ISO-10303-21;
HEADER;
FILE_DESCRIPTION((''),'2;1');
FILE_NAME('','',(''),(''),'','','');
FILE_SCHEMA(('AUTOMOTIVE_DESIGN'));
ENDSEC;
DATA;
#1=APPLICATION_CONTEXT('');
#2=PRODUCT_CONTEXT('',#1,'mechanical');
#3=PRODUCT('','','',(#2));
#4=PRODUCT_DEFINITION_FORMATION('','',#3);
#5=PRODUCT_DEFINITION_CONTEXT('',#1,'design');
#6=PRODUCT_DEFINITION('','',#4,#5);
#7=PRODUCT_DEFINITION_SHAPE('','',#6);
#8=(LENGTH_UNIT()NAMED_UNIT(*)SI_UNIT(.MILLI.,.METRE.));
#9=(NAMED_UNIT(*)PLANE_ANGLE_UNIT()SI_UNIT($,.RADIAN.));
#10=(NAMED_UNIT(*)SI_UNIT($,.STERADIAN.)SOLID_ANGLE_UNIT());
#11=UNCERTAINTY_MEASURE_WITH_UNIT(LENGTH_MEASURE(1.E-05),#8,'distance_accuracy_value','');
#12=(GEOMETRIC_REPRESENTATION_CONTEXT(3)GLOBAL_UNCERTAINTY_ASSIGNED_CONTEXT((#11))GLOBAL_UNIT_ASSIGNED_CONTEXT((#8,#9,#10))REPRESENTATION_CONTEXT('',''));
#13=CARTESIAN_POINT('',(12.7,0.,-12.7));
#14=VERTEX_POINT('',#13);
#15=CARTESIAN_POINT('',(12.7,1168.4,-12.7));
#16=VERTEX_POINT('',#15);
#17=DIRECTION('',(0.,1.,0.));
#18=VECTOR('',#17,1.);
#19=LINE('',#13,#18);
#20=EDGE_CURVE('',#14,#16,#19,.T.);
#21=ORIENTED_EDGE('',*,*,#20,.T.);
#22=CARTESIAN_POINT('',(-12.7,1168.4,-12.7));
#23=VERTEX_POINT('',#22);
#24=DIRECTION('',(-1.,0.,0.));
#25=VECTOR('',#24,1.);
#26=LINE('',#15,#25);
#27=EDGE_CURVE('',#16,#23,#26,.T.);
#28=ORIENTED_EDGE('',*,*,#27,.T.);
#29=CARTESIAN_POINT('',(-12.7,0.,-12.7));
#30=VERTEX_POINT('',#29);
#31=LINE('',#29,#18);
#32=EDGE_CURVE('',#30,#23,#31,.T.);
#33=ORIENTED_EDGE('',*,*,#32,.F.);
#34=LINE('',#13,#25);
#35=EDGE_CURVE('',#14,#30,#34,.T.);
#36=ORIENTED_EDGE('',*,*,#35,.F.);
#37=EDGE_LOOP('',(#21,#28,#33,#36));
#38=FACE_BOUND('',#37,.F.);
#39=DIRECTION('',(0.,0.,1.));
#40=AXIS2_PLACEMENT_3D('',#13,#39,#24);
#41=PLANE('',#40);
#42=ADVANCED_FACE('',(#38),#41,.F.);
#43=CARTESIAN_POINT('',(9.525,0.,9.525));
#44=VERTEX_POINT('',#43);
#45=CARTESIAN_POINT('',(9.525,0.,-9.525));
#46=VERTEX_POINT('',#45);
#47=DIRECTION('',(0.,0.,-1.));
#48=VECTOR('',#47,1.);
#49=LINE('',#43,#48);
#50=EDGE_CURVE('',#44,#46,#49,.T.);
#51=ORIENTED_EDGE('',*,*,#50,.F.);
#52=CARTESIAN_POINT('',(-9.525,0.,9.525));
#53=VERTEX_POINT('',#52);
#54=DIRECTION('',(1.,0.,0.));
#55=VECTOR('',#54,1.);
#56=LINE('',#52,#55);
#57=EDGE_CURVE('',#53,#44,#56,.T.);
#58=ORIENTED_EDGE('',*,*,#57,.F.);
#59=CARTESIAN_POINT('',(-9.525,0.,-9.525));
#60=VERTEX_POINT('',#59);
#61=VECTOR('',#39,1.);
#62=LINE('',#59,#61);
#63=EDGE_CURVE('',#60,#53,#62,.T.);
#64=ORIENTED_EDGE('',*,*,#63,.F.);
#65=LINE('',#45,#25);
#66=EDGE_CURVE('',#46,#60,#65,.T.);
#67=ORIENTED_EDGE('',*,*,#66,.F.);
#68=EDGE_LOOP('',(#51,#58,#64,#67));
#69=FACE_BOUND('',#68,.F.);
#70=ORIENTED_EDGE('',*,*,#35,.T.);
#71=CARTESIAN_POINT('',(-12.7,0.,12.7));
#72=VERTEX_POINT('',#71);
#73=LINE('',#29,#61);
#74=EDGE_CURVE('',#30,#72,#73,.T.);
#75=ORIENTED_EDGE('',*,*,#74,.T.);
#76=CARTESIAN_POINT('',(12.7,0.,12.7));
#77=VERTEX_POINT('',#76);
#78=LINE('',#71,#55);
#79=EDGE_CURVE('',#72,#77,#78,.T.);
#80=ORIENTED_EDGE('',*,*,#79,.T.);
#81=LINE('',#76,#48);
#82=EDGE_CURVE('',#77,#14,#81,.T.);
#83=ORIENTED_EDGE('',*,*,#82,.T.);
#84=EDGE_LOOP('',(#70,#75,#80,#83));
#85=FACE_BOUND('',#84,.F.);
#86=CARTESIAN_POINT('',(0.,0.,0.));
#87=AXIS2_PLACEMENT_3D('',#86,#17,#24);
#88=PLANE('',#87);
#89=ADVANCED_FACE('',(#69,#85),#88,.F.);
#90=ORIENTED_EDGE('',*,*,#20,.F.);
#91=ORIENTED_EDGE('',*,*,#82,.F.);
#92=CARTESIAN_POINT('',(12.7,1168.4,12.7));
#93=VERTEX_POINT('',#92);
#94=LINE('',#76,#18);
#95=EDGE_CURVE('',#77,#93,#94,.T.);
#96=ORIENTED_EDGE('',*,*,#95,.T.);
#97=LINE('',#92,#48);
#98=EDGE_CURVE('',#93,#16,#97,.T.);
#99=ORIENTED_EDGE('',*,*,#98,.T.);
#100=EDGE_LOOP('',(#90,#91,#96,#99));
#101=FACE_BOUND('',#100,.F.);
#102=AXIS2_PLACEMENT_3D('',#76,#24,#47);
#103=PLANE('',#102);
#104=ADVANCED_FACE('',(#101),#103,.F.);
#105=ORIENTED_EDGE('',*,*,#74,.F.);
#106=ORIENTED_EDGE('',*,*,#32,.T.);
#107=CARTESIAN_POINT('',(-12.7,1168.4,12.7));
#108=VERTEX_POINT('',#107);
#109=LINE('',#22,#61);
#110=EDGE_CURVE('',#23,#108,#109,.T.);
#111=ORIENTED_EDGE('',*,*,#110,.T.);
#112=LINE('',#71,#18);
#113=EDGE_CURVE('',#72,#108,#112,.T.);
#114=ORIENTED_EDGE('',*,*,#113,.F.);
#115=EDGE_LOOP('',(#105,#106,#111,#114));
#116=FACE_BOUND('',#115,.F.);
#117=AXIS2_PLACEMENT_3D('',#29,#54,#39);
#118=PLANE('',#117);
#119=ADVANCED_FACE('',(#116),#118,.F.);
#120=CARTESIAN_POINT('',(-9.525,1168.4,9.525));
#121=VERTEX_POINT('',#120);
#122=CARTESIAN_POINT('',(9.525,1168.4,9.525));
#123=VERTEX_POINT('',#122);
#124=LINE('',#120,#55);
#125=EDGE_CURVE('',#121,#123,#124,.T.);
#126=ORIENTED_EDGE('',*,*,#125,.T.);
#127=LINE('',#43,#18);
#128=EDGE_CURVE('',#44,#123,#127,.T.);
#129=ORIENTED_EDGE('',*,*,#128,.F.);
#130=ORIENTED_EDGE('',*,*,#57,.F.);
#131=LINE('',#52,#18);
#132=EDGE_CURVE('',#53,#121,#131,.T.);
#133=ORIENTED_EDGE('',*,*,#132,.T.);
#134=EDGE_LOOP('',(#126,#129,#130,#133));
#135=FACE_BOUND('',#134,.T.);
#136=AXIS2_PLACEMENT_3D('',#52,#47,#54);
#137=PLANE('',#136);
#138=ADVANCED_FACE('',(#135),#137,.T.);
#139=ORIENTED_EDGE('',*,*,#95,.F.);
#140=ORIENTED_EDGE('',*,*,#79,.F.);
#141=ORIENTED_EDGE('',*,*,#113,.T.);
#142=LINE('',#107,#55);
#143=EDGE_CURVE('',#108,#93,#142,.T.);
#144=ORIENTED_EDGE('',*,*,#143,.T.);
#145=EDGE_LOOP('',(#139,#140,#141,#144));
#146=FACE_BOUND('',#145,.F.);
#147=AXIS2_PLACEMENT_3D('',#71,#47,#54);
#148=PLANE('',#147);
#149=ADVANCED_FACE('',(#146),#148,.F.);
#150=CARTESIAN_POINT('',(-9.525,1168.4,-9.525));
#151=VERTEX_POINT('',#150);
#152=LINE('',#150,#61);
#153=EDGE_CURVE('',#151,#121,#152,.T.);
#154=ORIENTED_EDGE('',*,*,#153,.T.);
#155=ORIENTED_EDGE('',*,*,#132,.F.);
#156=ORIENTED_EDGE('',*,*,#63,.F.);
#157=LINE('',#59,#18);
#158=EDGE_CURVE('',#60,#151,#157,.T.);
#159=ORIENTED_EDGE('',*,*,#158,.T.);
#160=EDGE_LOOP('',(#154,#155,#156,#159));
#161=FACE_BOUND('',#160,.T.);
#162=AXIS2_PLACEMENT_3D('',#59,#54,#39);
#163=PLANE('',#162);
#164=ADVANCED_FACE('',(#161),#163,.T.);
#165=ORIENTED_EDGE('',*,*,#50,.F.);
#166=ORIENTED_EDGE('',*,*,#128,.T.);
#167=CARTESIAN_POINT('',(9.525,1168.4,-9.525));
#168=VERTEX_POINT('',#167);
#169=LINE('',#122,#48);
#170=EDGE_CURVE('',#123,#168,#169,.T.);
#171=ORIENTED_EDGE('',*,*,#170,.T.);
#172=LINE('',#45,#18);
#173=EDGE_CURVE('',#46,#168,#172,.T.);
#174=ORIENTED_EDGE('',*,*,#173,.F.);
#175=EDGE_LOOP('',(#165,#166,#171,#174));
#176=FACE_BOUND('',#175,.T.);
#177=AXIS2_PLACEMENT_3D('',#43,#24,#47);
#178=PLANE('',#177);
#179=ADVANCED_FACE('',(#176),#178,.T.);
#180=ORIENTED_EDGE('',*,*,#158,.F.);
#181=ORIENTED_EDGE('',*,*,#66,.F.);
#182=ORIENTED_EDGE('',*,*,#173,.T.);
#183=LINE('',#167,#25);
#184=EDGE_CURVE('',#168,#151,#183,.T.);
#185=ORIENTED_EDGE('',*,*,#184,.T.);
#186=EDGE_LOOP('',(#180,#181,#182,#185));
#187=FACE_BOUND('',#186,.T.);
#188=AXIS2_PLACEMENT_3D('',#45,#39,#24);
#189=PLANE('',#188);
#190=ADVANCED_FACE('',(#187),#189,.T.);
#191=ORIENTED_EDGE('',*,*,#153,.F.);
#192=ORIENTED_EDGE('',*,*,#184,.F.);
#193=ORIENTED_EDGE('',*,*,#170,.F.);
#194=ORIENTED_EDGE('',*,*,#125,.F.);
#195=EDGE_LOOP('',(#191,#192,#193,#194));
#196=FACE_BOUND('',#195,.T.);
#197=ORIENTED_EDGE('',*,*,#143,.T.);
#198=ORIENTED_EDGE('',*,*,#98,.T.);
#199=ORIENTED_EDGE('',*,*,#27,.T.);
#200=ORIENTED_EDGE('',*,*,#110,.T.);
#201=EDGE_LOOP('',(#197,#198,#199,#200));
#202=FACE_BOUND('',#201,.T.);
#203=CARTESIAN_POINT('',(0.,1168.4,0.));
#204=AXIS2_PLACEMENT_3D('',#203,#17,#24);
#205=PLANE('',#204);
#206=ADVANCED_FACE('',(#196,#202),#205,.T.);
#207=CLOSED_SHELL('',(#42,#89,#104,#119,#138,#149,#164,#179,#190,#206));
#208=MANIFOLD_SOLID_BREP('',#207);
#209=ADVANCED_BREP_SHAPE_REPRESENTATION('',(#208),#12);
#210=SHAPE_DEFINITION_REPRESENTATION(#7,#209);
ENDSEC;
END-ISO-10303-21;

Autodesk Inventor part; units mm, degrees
ref_plane "YZ Plane" through (0, 0, 0) normal (1, 0, 0) x (0, 1, 0)
ref_plane "XZ Plane" through (0, 0, 0) normal (0, 1, 0) x (-1, 0, 0)
ref_plane "XY Plane" through (0, 0, 0) normal (0, 0, 1) x (1, 0, 0)
sketch "Sketch1" plane through (0, 0, 0) normal (0, 1, 0) x (-1, 0, 0)
  line L0 (12.7, 12.7) -> (-12.7, 12.7)
  line L1 (-12.7, 12.7) -> (-12.7, -12.7)
  line L2 (-12.7, -12.7) -> (12.7, -12.7)
  line L3 (12.7, -12.7) -> (12.7, 12.7)
  line L4 (12.7, 12.7) -> (-12.7, -12.7) construction
  line L5 (-12.7, 12.7) -> (12.7, -12.7) construction
  line L6 (9.525, 9.525) -> (-9.525, 9.525)
  line L7 (-9.525, 9.525) -> (-9.525, -9.525)
  line L8 (-9.525, -9.525) -> (9.525, -9.525)
  line L9 (9.525, -9.525) -> (9.525, 9.525)
  line L10 (9.525, 9.525) -> (-9.525, -9.525) construction
  line L11 (-9.525, 9.525) -> (9.525, -9.525) construction
  point P0 (0, 0)
  dimension "d0" = 25.4
  dimension "d1" = 3.175
extrude "Extrusion1" add sketch "Sketch1" along normal blind 1168.4
properties part number "1x46-rectangular"
